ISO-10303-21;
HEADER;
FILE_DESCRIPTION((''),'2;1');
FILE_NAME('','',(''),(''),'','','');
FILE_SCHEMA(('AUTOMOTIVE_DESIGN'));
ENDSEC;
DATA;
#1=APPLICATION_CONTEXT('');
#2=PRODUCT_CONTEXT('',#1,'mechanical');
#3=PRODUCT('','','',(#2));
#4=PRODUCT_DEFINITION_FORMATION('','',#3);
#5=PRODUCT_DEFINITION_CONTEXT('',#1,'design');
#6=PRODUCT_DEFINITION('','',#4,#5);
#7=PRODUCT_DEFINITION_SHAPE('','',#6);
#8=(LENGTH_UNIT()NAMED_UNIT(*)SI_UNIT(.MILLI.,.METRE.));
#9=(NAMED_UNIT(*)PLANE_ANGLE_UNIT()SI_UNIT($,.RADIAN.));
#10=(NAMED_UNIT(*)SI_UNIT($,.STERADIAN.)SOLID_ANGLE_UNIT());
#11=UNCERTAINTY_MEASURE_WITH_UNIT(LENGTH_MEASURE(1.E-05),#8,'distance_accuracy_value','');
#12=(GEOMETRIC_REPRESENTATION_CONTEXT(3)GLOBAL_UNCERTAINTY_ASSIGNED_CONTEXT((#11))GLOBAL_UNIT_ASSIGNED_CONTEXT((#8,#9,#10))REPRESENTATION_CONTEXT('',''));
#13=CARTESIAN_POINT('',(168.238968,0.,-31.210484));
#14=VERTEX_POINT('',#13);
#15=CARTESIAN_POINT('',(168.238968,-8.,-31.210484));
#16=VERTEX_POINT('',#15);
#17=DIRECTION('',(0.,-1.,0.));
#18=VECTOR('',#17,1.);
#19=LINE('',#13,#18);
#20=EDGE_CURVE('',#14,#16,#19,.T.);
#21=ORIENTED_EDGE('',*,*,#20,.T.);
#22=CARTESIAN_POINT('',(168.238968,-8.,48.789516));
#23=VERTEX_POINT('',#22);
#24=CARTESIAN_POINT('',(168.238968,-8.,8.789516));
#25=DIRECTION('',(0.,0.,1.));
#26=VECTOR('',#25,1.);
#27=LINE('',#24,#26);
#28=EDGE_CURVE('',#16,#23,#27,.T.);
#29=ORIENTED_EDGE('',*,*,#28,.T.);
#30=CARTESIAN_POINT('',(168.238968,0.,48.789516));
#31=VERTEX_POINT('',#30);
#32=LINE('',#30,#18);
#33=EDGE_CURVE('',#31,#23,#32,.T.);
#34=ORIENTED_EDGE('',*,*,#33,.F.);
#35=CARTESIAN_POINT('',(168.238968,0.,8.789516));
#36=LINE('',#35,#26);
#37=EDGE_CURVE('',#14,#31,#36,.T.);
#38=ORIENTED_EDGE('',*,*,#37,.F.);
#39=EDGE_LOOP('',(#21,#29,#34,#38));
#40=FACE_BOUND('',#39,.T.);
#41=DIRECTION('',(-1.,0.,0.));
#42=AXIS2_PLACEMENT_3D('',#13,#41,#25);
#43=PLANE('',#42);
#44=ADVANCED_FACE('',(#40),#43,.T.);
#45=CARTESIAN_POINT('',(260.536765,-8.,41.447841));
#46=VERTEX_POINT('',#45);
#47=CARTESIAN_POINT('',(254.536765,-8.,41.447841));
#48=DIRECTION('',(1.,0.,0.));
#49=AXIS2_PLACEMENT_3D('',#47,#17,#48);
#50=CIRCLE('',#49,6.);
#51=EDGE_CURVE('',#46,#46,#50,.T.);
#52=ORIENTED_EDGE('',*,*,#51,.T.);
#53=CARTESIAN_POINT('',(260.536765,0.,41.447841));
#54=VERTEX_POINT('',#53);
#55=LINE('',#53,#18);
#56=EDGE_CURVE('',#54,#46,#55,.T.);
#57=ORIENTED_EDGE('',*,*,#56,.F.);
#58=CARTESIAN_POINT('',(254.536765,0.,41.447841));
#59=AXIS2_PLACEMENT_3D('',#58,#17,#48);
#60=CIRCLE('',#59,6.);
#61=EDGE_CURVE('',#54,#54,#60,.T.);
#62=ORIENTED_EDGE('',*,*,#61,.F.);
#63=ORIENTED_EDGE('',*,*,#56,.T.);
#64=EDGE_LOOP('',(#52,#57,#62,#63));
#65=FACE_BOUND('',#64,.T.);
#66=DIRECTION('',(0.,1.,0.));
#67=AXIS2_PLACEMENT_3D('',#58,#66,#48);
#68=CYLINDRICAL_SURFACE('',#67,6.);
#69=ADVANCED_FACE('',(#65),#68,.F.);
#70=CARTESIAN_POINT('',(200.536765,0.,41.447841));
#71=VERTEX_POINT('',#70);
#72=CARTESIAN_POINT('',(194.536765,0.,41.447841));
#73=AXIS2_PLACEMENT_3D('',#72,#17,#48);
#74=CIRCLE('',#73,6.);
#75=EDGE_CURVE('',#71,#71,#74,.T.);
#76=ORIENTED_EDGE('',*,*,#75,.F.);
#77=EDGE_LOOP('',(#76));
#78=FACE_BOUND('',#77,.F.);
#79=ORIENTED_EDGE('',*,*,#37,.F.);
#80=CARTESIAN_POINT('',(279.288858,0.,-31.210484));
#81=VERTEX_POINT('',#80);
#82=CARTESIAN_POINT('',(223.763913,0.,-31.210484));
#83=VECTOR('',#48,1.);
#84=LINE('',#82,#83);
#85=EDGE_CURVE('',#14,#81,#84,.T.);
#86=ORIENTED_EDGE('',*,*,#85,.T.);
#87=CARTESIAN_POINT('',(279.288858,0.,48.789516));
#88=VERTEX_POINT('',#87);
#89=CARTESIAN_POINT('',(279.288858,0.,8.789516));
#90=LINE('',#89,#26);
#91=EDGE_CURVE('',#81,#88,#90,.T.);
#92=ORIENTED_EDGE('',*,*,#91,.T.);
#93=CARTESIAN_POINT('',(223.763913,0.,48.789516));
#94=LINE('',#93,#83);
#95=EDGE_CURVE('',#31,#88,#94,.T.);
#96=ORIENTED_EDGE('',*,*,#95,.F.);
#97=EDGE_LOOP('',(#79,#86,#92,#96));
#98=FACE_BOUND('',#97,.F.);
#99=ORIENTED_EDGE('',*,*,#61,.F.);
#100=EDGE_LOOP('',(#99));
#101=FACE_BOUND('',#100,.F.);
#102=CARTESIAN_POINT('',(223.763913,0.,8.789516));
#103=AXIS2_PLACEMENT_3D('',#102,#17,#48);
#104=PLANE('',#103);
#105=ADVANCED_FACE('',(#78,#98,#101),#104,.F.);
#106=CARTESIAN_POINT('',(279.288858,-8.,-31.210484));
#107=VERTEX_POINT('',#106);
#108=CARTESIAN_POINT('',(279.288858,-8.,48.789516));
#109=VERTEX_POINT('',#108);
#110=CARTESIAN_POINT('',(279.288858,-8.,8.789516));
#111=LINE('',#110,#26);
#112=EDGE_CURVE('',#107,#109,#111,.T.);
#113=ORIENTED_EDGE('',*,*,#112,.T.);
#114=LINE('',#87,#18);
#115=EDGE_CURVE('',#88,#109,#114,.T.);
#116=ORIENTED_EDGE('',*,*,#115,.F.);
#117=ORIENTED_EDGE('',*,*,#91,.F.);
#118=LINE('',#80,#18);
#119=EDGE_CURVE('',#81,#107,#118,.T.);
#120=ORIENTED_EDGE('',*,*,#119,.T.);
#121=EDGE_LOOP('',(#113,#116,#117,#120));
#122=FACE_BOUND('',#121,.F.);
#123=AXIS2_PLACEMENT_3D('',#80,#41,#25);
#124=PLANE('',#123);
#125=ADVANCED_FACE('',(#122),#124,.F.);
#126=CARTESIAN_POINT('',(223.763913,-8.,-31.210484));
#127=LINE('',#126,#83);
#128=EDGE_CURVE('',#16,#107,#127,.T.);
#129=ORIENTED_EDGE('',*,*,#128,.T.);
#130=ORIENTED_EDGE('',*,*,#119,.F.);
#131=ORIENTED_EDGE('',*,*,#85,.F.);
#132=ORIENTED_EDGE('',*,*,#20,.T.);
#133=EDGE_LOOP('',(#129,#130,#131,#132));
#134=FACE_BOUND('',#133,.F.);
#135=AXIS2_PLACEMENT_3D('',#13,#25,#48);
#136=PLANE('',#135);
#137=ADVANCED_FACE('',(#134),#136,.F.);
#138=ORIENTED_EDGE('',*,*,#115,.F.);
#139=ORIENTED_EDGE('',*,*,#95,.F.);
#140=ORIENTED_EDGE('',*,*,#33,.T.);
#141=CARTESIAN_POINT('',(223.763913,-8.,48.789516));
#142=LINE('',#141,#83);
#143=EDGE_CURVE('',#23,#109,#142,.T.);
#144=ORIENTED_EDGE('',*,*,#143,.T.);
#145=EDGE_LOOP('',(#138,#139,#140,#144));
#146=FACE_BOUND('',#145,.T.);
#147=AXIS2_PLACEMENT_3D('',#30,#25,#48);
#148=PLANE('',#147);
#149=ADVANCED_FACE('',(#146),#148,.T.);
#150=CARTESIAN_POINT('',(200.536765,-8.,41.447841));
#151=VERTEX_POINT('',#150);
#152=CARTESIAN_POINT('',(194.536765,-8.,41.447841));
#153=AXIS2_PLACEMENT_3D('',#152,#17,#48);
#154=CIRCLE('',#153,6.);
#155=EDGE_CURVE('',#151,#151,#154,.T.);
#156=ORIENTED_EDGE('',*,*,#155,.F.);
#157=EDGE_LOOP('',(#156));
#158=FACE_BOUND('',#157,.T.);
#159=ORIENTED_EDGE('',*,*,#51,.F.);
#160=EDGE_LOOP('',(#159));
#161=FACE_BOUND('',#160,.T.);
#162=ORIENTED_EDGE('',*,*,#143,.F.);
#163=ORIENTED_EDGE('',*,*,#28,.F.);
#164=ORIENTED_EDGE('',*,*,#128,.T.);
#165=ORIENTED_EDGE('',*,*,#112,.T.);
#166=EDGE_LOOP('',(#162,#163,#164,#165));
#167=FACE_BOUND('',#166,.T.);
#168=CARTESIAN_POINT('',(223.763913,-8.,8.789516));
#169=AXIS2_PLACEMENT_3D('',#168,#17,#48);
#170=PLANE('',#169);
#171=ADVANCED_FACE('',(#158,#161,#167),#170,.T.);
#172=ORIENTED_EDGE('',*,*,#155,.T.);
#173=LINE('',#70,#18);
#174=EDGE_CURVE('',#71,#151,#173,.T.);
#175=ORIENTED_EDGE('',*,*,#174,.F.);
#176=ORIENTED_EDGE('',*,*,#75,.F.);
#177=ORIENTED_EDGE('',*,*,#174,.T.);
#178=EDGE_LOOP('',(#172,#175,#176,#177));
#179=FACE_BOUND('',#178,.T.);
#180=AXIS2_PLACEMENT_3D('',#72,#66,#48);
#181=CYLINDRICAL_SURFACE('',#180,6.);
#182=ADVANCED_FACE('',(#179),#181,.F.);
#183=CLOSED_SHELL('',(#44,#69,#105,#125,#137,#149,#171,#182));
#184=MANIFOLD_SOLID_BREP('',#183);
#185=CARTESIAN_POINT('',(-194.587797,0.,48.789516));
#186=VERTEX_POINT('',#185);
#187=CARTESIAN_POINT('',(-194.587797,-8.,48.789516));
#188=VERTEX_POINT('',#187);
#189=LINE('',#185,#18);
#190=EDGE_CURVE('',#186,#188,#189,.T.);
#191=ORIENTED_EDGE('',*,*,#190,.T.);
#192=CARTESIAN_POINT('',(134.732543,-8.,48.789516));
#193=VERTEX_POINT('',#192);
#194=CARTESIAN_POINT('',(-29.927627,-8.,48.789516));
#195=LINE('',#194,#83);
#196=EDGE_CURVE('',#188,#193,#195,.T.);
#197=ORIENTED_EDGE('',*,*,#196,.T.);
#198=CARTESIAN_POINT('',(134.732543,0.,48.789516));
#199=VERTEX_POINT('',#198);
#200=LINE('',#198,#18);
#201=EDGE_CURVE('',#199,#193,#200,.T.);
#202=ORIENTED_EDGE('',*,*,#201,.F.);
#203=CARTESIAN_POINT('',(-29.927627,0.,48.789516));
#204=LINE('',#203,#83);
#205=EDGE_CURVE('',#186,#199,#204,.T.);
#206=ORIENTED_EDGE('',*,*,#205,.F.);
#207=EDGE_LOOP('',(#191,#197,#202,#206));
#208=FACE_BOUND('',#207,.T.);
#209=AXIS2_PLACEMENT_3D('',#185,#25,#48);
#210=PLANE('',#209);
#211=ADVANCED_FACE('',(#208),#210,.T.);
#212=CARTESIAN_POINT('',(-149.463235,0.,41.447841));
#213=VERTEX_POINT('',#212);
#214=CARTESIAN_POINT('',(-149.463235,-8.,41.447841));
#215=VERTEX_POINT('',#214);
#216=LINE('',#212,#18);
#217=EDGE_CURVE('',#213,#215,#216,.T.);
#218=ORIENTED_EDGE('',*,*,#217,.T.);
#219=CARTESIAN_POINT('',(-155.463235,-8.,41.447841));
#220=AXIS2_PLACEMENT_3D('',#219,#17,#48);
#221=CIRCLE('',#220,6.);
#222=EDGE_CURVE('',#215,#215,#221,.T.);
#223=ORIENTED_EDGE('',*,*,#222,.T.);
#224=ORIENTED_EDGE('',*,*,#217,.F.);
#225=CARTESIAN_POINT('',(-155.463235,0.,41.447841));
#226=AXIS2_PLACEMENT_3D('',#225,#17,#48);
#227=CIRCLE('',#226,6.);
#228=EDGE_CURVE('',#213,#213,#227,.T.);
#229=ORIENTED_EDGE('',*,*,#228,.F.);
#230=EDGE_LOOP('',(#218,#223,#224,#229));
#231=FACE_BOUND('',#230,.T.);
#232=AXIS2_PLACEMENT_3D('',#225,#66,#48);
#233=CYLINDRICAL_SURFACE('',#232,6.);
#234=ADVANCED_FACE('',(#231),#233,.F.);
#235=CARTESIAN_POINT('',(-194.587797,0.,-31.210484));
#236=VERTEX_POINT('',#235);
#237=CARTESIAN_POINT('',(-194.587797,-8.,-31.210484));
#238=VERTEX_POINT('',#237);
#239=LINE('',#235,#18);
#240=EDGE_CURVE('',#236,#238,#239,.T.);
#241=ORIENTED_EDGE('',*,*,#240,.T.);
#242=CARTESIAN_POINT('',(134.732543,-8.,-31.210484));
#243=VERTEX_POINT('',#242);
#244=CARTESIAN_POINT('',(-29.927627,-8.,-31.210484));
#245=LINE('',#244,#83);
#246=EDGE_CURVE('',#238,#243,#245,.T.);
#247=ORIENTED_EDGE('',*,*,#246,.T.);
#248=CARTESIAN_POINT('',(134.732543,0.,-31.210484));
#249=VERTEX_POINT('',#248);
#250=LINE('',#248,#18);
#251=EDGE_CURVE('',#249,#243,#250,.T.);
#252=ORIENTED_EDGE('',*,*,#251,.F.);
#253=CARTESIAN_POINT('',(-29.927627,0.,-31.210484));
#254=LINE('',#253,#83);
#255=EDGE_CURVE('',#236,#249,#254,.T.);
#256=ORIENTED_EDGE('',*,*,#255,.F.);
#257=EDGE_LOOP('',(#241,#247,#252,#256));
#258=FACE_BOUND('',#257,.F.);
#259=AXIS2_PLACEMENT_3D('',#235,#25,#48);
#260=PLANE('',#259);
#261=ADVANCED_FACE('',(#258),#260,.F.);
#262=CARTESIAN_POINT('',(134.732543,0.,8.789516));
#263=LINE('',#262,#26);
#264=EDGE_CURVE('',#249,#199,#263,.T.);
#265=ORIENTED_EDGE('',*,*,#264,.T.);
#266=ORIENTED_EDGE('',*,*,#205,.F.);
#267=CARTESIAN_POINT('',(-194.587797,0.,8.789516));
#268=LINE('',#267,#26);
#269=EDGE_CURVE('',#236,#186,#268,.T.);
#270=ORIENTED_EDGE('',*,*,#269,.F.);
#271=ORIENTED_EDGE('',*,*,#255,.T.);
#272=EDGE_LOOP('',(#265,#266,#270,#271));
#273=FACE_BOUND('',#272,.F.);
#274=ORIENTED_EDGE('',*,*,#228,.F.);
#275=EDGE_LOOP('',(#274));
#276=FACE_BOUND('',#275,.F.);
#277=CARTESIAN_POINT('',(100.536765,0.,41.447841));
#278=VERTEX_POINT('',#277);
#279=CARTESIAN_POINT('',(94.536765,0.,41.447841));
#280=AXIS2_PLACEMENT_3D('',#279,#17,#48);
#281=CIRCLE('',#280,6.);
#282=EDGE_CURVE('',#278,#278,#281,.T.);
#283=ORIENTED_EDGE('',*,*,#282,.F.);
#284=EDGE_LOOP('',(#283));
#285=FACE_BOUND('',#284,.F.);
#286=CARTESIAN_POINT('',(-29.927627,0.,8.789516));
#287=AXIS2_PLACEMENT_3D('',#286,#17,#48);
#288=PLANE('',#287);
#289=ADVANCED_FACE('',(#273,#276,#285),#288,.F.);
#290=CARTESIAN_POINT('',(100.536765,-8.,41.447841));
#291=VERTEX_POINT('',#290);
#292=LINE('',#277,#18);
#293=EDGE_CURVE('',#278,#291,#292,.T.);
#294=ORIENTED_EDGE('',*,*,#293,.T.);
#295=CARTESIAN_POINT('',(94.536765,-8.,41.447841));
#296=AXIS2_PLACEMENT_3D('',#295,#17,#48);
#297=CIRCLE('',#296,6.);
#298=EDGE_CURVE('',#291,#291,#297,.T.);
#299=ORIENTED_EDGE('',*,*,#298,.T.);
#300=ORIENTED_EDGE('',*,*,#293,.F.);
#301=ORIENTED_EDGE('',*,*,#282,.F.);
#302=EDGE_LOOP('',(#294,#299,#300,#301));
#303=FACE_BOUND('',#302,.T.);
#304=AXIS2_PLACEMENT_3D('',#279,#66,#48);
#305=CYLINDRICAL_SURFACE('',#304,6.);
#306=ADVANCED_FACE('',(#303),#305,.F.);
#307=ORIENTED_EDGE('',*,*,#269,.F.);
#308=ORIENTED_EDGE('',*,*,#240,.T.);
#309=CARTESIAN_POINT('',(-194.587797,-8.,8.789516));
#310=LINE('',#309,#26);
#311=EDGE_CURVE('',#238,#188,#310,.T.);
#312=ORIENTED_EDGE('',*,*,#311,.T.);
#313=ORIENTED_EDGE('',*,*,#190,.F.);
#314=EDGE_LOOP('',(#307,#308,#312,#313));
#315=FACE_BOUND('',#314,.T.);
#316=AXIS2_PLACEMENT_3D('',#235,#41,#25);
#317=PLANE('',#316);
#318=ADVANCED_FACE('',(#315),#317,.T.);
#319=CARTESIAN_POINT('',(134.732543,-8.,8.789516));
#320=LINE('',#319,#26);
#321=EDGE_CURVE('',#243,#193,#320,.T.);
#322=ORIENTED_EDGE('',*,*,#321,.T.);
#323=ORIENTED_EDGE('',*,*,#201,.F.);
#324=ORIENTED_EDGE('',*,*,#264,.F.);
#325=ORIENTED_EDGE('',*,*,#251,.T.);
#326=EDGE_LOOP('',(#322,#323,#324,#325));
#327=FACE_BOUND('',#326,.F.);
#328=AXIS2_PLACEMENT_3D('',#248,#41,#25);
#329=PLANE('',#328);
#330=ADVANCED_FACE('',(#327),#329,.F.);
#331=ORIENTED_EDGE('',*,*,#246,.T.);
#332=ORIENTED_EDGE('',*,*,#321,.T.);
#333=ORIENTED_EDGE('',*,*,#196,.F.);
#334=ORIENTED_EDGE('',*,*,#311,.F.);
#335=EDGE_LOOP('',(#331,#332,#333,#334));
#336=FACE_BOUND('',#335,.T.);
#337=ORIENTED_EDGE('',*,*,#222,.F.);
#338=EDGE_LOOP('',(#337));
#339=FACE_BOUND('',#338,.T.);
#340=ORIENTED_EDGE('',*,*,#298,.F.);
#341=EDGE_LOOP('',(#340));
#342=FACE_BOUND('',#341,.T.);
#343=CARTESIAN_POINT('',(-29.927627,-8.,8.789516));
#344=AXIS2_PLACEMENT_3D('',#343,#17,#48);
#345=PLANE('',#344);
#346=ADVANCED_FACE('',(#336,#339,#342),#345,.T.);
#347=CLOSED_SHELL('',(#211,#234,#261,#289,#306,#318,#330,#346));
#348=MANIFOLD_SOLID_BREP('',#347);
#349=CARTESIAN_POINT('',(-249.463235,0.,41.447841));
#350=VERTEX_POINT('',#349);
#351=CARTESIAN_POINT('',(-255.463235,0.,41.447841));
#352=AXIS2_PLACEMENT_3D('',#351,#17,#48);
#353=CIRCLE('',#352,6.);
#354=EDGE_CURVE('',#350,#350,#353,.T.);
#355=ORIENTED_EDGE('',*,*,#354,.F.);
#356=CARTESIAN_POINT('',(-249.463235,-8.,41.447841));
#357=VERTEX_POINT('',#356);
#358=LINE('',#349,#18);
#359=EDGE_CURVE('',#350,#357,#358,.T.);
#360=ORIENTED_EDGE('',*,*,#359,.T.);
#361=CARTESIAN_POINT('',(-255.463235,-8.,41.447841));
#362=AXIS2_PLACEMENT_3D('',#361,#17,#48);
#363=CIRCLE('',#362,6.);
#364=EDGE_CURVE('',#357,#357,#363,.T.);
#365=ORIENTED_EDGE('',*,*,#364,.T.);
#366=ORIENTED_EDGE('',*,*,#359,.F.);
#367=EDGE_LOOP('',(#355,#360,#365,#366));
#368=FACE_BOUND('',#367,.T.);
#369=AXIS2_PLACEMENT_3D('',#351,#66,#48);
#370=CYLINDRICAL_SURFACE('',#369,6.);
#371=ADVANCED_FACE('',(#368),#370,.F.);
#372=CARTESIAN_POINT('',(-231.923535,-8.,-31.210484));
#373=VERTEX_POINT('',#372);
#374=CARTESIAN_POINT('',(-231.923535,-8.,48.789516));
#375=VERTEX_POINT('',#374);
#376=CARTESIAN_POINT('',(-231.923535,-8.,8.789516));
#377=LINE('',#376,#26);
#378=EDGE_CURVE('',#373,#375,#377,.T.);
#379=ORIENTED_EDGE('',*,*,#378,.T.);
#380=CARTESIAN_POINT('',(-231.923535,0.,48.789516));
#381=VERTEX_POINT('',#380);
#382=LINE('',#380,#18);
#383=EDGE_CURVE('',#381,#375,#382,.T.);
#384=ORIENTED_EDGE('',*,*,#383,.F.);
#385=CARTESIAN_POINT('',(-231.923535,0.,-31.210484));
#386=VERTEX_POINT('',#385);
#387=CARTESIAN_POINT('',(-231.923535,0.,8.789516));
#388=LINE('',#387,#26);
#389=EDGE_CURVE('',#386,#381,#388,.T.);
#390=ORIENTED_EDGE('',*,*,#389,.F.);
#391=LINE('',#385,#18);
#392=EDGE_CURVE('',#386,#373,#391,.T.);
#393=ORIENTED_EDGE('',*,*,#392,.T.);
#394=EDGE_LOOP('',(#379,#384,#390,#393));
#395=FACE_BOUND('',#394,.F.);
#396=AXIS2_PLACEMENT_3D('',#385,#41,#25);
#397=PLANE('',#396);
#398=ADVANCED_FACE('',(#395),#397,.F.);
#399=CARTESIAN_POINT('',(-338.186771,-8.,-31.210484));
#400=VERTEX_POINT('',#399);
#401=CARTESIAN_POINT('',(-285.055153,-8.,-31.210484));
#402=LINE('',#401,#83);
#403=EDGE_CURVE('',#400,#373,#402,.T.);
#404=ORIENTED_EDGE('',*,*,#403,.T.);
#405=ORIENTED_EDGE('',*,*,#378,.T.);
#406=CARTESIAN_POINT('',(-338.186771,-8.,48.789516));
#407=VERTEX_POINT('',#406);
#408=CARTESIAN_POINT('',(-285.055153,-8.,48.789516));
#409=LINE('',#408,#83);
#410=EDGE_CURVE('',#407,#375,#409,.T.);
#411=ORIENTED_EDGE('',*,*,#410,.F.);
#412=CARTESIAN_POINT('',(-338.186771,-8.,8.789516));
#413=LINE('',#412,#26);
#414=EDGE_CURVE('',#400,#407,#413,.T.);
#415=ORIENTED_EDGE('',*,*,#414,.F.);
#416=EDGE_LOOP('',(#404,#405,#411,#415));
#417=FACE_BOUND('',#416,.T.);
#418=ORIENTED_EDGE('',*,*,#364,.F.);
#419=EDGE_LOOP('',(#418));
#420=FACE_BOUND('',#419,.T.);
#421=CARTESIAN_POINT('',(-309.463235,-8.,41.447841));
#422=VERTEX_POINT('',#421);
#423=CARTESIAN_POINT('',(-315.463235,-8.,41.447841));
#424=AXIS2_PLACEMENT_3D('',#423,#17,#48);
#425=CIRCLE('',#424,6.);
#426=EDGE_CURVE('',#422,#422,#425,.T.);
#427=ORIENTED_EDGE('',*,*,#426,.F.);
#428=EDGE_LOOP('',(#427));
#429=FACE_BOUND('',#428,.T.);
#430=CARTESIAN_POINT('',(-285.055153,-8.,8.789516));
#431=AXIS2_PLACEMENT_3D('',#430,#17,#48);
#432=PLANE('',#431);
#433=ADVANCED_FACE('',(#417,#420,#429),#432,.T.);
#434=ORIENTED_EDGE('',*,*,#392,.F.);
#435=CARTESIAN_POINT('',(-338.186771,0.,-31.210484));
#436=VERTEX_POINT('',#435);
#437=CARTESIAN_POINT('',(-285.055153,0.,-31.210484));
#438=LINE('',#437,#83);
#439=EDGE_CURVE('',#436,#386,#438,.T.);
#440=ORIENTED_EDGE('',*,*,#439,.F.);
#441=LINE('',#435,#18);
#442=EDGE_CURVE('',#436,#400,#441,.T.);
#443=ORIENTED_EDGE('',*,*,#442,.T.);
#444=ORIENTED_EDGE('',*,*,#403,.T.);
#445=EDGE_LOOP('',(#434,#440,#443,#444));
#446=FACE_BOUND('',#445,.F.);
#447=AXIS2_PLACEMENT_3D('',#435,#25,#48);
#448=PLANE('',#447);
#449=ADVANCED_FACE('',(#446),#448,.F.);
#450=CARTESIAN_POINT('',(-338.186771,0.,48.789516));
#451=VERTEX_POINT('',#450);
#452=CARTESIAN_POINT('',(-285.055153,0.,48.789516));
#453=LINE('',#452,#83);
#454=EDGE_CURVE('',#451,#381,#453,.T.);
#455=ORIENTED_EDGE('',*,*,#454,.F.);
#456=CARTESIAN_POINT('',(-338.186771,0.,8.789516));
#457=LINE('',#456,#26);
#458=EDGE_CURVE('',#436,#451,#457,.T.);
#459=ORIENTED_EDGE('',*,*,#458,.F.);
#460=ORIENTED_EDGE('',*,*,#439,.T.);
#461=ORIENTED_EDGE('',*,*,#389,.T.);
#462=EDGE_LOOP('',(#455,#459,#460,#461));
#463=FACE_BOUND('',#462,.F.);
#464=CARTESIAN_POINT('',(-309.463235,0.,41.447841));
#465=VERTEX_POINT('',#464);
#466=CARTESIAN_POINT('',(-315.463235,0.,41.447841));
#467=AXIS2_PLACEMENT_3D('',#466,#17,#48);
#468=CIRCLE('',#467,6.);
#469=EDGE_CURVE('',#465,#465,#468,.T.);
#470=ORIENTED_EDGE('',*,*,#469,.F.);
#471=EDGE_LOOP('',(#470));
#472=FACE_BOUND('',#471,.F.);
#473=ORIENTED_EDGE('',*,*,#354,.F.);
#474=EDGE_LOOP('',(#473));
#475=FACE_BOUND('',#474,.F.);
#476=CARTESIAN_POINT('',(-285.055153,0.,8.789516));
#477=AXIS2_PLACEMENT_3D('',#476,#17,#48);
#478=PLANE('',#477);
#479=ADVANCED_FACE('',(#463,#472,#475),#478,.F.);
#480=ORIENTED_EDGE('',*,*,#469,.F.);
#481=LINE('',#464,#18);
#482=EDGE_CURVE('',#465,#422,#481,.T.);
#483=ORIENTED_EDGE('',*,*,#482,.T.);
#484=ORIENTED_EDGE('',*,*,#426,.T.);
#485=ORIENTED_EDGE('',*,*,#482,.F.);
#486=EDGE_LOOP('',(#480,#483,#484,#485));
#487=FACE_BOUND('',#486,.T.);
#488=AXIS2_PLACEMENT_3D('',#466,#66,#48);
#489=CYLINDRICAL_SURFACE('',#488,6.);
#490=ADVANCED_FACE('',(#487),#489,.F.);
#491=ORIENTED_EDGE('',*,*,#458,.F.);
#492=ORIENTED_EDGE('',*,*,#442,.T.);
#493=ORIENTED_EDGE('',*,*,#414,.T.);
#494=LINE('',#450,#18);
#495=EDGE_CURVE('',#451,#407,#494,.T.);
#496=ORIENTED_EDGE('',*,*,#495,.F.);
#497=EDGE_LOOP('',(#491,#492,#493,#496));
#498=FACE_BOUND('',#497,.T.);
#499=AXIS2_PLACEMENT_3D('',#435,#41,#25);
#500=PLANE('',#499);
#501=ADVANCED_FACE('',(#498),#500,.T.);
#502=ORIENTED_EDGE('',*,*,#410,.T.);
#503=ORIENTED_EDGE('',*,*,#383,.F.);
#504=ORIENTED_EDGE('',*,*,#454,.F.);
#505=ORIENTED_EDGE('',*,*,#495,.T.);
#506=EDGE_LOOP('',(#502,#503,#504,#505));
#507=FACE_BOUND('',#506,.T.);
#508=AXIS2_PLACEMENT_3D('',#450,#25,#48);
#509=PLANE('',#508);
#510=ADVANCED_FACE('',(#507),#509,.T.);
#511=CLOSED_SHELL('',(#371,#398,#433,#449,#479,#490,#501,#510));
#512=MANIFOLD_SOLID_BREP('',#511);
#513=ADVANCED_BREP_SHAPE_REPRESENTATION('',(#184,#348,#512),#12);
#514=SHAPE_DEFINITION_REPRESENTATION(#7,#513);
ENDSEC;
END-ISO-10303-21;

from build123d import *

# Parameters (mm, degrees)
F0_W     = 106.263236
F0_H     = 80
F0_R     = 6
F0_W_2   = 329.320341
F0_W_3   = 111.04989
F1_DEPTH = 8


with BuildPart() as f1:
    # F0 (on Front) → F1 (new body)
    with BuildSketch(Plane.XZ):
        with Locations((-285.055153, 8.789516)):
            Rectangle(F0_W, F0_H)
        with Locations((-315.463235, 41.447841)):
            Circle(F0_R, mode=Mode.SUBTRACT)
        with Locations((-255.463235, 41.447841)):
            Circle(F0_R, mode=Mode.SUBTRACT)
        with Locations((-29.927627, 8.789516)):
            Rectangle(F0_W_2, F0_H)
        with Locations((-155.463235, 41.447841)):
            Circle(F0_R, mode=Mode.SUBTRACT)
        with Locations((94.536765, 41.447841)):
            Circle(F0_R, mode=Mode.SUBTRACT)
        with Locations((223.763913, 8.789516)):
            Rectangle(F0_W_3, F0_H)
        with Locations((194.536765, 41.447841)):
            Circle(F0_R, mode=Mode.SUBTRACT)
        with Locations((254.536765, 41.447841)):
            Circle(F0_R, mode=Mode.SUBTRACT)
    extrude(amount=F1_DEPTH)


solid = f1.part
